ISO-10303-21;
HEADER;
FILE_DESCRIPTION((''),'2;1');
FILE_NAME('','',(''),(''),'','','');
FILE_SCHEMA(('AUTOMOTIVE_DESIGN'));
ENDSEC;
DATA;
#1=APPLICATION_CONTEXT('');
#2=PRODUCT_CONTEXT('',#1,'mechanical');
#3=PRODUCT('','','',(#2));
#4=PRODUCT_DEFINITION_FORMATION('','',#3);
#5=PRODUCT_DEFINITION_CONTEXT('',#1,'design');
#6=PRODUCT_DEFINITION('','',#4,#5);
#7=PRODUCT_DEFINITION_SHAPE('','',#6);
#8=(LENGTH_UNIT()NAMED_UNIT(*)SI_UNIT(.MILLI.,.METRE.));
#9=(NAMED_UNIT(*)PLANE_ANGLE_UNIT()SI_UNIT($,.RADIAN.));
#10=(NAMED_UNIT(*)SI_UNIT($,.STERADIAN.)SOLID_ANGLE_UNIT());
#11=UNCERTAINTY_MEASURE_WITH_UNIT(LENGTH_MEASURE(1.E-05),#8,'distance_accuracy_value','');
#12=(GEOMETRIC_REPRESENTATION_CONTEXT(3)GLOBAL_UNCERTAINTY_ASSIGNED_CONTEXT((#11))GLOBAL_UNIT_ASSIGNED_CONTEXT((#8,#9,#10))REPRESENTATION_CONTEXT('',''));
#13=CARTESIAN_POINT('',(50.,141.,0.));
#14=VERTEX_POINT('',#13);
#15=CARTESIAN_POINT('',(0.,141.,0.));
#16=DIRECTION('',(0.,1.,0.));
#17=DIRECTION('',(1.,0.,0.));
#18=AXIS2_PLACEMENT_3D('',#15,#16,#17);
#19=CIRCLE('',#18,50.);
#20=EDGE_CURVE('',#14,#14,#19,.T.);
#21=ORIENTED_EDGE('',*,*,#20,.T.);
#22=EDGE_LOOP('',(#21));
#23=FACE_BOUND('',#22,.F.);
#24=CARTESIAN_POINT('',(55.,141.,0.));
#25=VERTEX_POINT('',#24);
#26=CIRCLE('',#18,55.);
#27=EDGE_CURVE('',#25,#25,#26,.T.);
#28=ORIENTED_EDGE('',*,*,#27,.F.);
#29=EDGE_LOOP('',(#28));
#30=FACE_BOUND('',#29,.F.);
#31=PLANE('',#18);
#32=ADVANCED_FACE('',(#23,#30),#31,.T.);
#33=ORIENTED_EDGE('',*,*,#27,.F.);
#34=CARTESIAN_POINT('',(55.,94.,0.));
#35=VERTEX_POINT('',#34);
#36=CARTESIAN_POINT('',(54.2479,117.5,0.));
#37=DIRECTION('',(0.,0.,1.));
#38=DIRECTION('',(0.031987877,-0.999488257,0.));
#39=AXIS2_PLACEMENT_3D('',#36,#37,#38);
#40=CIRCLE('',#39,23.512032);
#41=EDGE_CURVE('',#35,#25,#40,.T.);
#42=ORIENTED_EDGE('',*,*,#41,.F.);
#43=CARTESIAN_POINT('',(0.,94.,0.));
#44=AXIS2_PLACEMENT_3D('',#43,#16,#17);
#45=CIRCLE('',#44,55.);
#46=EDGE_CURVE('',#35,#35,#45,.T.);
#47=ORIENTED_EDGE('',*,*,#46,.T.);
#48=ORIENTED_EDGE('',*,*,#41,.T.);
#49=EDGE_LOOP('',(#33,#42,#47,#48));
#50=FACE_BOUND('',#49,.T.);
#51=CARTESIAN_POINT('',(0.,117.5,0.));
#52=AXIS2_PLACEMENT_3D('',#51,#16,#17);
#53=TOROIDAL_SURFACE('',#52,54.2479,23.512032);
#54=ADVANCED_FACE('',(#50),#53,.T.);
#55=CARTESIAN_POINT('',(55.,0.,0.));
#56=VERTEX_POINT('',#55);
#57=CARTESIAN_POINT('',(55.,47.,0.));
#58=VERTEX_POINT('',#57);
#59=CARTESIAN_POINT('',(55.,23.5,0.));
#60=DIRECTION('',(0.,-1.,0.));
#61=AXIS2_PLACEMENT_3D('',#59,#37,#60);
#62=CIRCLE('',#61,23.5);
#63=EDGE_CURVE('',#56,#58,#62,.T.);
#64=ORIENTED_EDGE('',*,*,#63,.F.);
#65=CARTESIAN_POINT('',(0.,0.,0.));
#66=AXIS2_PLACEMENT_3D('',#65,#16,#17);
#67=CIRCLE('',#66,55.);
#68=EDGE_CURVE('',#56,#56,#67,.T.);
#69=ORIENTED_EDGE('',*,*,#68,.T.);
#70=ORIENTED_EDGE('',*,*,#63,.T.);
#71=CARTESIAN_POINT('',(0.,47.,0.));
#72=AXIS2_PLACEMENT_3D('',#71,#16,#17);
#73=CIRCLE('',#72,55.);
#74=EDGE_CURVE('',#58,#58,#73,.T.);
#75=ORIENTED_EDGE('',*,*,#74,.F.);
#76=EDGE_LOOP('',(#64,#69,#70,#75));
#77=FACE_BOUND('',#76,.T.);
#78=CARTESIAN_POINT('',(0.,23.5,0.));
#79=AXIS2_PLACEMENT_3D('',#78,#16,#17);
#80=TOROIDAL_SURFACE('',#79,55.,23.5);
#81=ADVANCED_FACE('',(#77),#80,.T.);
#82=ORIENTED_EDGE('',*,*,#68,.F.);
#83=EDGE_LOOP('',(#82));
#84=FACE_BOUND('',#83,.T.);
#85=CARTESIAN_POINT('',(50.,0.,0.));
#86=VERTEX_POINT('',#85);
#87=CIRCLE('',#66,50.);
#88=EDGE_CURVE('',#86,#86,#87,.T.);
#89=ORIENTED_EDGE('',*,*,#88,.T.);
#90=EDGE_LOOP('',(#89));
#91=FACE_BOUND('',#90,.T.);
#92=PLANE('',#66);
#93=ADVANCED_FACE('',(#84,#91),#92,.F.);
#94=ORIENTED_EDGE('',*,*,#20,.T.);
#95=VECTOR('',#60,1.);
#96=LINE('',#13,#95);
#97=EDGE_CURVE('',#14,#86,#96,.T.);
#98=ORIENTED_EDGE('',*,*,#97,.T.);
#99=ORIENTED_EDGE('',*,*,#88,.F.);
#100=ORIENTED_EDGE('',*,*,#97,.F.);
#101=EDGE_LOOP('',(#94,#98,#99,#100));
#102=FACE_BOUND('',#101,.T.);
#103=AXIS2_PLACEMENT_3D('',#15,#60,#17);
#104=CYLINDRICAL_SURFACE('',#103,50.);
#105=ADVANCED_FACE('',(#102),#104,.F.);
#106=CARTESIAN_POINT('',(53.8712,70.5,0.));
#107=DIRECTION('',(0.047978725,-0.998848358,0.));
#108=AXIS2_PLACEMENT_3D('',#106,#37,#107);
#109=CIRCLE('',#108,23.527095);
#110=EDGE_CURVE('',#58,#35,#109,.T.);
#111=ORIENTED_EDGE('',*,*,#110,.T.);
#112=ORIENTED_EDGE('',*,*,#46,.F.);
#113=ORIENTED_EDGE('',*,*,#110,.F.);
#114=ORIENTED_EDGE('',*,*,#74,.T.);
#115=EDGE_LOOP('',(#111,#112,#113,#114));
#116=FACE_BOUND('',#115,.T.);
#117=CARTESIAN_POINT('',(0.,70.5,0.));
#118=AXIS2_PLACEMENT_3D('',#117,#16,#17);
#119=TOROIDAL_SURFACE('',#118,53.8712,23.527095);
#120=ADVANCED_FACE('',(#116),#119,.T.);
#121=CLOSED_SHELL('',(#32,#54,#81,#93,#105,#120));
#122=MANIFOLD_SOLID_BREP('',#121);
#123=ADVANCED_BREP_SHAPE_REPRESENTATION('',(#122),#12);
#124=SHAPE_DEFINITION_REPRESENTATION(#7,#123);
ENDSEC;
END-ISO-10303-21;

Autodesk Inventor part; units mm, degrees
ref_plane "YZ Plane" through (0, 0, 0) normal (1, 0, 0) x (0, 1, 0)
ref_plane "XZ Plane" through (0, 0, 0) normal (0, 1, 0) x (-1, 0, 0)
ref_plane "XY Plane" through (0, 0, 0) normal (0, 0, 1) x (1, 0, 0)
sketch "Sketch2" plane through (0, 0, 0) normal (0, 0, 1) x (1, 0, 0)
  point P0 (0, 0)
sketch "Sketch3" plane through (0, 0, 0) normal (0, 0, 1) x (1, 0, 0)
  line L0 (0, 0) -> (110, 0)
  line L1 (0, 0) -> (0, 141) construction
  line L2 (50, 141) -> (55, 141)
  arc A0 (55, 94) -> (55, 141) centre (54.2479, 117.5) ccw
  arc A1 (55, 47) -> (55, 94) centre (53.8712, 70.5) ccw
  arc A2 (55, 0) -> (55, 47) centre (55, 23.5) ccw
  line L3 (50, 141) -> (50, 0)
  dimension "d7" = 141
  dimension "d8" = 50
  dimension "d9" = 5
  dimension "d12" = 23.512
  dimension "d13" = 23.5271
  dimension "d14" = 23.5
revolve "Revolution1" add sketch "Sketch3" angle 360 about axis through (0, 0, 0) along (0, 1, 0)
properties part number "Air Suspension Air Bag" material "Rubber, Silicone"
